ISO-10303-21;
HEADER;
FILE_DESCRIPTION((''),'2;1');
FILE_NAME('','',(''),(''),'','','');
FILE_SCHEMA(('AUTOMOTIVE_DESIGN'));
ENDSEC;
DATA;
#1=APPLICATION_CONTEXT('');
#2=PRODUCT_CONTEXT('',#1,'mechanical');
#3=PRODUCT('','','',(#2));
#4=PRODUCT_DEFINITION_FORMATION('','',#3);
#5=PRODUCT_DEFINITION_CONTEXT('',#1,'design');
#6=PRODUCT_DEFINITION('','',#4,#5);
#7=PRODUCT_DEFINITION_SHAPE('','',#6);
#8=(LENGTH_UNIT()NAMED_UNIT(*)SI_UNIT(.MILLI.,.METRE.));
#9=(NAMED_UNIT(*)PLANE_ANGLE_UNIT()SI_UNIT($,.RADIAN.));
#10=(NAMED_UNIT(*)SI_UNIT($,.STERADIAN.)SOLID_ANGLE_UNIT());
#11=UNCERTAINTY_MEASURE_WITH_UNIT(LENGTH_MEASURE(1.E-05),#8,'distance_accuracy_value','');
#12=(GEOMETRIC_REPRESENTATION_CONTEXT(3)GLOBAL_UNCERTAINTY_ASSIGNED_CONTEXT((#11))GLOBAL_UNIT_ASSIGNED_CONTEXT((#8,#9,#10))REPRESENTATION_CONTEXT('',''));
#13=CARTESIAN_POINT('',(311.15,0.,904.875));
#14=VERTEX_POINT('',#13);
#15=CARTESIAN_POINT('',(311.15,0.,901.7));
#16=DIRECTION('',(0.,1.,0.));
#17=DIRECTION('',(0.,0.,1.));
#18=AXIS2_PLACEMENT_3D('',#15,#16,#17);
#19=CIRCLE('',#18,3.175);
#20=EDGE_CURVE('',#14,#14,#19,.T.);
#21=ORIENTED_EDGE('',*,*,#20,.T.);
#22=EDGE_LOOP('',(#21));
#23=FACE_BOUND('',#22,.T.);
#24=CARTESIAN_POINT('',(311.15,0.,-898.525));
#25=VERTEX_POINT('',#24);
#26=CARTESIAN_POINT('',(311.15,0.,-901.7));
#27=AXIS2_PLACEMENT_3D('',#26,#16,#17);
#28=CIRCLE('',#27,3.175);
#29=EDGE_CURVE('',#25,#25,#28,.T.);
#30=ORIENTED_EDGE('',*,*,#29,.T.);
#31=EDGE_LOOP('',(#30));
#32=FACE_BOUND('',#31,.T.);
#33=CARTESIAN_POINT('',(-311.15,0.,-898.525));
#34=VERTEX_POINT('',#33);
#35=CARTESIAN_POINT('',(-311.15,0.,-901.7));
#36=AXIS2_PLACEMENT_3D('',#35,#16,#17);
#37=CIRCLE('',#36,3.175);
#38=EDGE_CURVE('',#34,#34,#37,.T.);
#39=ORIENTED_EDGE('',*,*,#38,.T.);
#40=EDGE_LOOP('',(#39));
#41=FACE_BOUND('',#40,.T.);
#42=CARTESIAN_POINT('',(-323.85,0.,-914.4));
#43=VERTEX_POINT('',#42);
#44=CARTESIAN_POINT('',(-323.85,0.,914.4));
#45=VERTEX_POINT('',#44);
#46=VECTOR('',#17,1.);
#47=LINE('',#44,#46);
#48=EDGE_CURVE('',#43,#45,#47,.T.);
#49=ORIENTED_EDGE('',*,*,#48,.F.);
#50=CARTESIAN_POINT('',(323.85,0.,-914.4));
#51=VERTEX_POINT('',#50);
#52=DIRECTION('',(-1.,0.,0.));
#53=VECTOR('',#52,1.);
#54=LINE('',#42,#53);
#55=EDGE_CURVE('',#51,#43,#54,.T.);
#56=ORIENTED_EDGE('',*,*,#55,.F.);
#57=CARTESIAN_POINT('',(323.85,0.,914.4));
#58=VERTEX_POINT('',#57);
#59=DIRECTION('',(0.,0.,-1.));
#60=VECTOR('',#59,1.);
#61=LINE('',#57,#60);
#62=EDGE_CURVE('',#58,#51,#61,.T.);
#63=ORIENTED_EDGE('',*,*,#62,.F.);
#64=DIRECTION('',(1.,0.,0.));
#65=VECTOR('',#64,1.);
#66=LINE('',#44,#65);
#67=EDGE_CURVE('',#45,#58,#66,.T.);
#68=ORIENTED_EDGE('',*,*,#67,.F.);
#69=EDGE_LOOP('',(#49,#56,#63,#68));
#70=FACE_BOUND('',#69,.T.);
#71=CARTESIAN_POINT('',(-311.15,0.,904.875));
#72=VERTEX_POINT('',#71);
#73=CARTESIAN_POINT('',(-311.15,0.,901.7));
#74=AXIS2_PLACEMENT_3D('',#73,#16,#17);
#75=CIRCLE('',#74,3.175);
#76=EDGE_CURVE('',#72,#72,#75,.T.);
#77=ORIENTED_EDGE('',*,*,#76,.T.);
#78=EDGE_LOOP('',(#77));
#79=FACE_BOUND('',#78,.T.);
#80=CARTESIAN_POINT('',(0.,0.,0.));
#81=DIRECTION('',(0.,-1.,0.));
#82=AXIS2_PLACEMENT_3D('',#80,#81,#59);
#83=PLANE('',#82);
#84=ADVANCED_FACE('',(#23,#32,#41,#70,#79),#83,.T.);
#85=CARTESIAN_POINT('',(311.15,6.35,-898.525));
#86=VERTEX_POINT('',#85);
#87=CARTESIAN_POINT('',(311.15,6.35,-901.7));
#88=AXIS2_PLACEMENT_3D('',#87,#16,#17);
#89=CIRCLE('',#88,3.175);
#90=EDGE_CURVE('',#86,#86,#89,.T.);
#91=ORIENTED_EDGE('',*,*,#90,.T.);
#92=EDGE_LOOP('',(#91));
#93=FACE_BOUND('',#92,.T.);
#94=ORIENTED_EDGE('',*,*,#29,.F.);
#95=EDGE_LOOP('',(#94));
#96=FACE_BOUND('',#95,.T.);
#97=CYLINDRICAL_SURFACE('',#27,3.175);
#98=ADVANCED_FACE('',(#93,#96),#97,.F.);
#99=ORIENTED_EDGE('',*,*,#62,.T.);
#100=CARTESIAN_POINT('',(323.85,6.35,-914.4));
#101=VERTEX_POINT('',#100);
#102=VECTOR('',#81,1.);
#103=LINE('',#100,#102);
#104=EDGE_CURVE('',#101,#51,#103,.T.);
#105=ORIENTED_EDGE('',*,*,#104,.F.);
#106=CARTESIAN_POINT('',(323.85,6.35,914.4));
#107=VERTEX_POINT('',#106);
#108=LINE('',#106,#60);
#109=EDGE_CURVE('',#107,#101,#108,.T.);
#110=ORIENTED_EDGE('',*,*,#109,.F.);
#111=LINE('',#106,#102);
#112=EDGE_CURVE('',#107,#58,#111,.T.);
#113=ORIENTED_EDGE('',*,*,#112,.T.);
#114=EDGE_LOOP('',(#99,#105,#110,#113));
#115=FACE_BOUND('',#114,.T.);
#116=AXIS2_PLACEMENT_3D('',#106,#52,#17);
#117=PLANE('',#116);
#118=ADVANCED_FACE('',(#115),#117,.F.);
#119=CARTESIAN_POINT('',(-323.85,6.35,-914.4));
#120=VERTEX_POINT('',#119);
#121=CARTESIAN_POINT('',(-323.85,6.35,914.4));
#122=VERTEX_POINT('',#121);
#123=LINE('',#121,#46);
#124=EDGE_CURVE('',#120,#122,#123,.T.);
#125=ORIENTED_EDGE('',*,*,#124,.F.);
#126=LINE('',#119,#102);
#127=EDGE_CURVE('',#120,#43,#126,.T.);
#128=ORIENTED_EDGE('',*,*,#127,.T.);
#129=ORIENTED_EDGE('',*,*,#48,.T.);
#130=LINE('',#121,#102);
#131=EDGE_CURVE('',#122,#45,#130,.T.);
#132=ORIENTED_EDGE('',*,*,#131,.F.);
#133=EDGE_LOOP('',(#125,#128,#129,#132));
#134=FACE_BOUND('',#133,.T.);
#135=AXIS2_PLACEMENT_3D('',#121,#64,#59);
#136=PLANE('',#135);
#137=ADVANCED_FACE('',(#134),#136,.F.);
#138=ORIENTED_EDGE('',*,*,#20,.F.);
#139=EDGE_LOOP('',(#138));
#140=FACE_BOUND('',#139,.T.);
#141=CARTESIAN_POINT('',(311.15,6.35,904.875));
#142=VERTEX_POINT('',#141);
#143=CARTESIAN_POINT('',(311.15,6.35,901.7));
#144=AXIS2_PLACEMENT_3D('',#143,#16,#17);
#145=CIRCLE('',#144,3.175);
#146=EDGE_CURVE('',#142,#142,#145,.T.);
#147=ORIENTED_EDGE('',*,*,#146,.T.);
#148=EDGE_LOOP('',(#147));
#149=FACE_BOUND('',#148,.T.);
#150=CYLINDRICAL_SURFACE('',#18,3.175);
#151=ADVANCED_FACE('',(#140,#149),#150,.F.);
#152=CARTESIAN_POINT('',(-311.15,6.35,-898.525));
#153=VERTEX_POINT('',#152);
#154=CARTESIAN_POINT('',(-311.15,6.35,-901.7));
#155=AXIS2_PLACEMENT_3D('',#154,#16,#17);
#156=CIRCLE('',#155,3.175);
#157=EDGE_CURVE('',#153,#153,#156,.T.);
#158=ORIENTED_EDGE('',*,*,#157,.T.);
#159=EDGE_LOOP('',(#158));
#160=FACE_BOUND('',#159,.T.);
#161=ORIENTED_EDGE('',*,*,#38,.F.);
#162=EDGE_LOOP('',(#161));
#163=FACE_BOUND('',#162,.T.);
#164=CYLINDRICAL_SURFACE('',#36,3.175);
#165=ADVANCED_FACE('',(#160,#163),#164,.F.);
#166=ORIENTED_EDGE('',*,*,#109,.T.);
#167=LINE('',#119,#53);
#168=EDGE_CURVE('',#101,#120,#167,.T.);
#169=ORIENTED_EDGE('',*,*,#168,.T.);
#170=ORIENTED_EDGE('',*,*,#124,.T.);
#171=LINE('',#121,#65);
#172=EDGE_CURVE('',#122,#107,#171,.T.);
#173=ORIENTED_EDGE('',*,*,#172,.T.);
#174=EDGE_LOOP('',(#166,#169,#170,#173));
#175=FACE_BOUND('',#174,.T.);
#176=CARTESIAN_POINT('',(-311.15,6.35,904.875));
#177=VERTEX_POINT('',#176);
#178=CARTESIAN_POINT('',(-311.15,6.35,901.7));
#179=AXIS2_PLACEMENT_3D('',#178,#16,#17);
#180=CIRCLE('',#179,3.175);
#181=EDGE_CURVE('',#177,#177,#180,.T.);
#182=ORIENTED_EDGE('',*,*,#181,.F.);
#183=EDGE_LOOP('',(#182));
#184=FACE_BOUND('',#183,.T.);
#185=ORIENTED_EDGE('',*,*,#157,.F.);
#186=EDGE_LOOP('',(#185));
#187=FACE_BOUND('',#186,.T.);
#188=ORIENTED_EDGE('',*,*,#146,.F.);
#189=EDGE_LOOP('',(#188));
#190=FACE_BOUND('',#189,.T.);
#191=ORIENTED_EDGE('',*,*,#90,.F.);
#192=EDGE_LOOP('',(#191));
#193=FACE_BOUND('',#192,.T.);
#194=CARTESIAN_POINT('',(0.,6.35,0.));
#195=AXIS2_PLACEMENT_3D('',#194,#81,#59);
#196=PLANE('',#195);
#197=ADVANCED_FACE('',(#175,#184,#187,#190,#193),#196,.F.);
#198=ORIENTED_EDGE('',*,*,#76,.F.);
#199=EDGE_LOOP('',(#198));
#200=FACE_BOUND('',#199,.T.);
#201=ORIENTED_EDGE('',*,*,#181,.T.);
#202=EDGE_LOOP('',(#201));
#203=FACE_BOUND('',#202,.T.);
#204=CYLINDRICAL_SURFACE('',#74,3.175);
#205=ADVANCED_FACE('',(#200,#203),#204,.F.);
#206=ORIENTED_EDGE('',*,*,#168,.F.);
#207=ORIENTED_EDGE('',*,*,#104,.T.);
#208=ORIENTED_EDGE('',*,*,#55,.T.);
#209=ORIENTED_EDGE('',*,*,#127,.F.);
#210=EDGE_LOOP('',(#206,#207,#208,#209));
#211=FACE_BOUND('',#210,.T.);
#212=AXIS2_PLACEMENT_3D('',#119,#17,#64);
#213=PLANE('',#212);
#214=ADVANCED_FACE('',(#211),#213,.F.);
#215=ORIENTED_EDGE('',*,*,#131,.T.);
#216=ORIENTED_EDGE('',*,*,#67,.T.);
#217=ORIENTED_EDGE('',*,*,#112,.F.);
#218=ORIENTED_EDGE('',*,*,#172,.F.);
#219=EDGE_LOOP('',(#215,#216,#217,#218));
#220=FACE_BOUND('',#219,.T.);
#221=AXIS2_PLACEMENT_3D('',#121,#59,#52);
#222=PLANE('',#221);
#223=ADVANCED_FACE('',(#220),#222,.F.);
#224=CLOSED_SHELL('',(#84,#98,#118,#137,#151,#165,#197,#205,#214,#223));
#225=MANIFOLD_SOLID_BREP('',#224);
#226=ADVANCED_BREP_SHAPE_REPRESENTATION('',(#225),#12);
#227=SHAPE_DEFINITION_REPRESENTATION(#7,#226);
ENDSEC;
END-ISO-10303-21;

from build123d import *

# Parameters (mm, degrees)
SKETCH1_W           = 647.7
SKETCH1_H           = 1828.8
BOSS_EXTRUDE1_DEPTH = 6.35
SKETCH2_R           = 3.175
CUT_EXTRUDE1_DEPTH  = 971.075515102


with BuildPart() as part:
    # Sketch1 → Boss-Extrude1 (new body)
    with BuildSketch(Plane(origin=(0, 0, 0), x_dir=(1, 0, 0), z_dir=(0, 1, 0))):
        Rectangle(SKETCH1_W, SKETCH1_H)
    extrude(amount=BOSS_EXTRUDE1_DEPTH)

    # Sketch2 → Cut-Extrude1 (cut, through all)
    with BuildSketch(Plane(origin=(0, 6.35, 0), x_dir=(1, 0, 0), z_dir=(0, 1, 0))):
        with Locations(Location((311.15, -901.7, 0), (0, 0, 270))):
            Circle(SKETCH2_R)
        with Locations(Location((-311.15, -901.7, 0), (0, 0, 270))):
            Circle(SKETCH2_R)
        with Locations(Location((311.15, 901.7, 0), (0, 0, 270))):
            Circle(SKETCH2_R)
        with Locations(Location((-311.15, 901.7, 0), (0, 0, 270))):
            Circle(SKETCH2_R)
    extrude(amount=-CUT_EXTRUDE1_DEPTH, mode=Mode.SUBTRACT)


solid = part.part
